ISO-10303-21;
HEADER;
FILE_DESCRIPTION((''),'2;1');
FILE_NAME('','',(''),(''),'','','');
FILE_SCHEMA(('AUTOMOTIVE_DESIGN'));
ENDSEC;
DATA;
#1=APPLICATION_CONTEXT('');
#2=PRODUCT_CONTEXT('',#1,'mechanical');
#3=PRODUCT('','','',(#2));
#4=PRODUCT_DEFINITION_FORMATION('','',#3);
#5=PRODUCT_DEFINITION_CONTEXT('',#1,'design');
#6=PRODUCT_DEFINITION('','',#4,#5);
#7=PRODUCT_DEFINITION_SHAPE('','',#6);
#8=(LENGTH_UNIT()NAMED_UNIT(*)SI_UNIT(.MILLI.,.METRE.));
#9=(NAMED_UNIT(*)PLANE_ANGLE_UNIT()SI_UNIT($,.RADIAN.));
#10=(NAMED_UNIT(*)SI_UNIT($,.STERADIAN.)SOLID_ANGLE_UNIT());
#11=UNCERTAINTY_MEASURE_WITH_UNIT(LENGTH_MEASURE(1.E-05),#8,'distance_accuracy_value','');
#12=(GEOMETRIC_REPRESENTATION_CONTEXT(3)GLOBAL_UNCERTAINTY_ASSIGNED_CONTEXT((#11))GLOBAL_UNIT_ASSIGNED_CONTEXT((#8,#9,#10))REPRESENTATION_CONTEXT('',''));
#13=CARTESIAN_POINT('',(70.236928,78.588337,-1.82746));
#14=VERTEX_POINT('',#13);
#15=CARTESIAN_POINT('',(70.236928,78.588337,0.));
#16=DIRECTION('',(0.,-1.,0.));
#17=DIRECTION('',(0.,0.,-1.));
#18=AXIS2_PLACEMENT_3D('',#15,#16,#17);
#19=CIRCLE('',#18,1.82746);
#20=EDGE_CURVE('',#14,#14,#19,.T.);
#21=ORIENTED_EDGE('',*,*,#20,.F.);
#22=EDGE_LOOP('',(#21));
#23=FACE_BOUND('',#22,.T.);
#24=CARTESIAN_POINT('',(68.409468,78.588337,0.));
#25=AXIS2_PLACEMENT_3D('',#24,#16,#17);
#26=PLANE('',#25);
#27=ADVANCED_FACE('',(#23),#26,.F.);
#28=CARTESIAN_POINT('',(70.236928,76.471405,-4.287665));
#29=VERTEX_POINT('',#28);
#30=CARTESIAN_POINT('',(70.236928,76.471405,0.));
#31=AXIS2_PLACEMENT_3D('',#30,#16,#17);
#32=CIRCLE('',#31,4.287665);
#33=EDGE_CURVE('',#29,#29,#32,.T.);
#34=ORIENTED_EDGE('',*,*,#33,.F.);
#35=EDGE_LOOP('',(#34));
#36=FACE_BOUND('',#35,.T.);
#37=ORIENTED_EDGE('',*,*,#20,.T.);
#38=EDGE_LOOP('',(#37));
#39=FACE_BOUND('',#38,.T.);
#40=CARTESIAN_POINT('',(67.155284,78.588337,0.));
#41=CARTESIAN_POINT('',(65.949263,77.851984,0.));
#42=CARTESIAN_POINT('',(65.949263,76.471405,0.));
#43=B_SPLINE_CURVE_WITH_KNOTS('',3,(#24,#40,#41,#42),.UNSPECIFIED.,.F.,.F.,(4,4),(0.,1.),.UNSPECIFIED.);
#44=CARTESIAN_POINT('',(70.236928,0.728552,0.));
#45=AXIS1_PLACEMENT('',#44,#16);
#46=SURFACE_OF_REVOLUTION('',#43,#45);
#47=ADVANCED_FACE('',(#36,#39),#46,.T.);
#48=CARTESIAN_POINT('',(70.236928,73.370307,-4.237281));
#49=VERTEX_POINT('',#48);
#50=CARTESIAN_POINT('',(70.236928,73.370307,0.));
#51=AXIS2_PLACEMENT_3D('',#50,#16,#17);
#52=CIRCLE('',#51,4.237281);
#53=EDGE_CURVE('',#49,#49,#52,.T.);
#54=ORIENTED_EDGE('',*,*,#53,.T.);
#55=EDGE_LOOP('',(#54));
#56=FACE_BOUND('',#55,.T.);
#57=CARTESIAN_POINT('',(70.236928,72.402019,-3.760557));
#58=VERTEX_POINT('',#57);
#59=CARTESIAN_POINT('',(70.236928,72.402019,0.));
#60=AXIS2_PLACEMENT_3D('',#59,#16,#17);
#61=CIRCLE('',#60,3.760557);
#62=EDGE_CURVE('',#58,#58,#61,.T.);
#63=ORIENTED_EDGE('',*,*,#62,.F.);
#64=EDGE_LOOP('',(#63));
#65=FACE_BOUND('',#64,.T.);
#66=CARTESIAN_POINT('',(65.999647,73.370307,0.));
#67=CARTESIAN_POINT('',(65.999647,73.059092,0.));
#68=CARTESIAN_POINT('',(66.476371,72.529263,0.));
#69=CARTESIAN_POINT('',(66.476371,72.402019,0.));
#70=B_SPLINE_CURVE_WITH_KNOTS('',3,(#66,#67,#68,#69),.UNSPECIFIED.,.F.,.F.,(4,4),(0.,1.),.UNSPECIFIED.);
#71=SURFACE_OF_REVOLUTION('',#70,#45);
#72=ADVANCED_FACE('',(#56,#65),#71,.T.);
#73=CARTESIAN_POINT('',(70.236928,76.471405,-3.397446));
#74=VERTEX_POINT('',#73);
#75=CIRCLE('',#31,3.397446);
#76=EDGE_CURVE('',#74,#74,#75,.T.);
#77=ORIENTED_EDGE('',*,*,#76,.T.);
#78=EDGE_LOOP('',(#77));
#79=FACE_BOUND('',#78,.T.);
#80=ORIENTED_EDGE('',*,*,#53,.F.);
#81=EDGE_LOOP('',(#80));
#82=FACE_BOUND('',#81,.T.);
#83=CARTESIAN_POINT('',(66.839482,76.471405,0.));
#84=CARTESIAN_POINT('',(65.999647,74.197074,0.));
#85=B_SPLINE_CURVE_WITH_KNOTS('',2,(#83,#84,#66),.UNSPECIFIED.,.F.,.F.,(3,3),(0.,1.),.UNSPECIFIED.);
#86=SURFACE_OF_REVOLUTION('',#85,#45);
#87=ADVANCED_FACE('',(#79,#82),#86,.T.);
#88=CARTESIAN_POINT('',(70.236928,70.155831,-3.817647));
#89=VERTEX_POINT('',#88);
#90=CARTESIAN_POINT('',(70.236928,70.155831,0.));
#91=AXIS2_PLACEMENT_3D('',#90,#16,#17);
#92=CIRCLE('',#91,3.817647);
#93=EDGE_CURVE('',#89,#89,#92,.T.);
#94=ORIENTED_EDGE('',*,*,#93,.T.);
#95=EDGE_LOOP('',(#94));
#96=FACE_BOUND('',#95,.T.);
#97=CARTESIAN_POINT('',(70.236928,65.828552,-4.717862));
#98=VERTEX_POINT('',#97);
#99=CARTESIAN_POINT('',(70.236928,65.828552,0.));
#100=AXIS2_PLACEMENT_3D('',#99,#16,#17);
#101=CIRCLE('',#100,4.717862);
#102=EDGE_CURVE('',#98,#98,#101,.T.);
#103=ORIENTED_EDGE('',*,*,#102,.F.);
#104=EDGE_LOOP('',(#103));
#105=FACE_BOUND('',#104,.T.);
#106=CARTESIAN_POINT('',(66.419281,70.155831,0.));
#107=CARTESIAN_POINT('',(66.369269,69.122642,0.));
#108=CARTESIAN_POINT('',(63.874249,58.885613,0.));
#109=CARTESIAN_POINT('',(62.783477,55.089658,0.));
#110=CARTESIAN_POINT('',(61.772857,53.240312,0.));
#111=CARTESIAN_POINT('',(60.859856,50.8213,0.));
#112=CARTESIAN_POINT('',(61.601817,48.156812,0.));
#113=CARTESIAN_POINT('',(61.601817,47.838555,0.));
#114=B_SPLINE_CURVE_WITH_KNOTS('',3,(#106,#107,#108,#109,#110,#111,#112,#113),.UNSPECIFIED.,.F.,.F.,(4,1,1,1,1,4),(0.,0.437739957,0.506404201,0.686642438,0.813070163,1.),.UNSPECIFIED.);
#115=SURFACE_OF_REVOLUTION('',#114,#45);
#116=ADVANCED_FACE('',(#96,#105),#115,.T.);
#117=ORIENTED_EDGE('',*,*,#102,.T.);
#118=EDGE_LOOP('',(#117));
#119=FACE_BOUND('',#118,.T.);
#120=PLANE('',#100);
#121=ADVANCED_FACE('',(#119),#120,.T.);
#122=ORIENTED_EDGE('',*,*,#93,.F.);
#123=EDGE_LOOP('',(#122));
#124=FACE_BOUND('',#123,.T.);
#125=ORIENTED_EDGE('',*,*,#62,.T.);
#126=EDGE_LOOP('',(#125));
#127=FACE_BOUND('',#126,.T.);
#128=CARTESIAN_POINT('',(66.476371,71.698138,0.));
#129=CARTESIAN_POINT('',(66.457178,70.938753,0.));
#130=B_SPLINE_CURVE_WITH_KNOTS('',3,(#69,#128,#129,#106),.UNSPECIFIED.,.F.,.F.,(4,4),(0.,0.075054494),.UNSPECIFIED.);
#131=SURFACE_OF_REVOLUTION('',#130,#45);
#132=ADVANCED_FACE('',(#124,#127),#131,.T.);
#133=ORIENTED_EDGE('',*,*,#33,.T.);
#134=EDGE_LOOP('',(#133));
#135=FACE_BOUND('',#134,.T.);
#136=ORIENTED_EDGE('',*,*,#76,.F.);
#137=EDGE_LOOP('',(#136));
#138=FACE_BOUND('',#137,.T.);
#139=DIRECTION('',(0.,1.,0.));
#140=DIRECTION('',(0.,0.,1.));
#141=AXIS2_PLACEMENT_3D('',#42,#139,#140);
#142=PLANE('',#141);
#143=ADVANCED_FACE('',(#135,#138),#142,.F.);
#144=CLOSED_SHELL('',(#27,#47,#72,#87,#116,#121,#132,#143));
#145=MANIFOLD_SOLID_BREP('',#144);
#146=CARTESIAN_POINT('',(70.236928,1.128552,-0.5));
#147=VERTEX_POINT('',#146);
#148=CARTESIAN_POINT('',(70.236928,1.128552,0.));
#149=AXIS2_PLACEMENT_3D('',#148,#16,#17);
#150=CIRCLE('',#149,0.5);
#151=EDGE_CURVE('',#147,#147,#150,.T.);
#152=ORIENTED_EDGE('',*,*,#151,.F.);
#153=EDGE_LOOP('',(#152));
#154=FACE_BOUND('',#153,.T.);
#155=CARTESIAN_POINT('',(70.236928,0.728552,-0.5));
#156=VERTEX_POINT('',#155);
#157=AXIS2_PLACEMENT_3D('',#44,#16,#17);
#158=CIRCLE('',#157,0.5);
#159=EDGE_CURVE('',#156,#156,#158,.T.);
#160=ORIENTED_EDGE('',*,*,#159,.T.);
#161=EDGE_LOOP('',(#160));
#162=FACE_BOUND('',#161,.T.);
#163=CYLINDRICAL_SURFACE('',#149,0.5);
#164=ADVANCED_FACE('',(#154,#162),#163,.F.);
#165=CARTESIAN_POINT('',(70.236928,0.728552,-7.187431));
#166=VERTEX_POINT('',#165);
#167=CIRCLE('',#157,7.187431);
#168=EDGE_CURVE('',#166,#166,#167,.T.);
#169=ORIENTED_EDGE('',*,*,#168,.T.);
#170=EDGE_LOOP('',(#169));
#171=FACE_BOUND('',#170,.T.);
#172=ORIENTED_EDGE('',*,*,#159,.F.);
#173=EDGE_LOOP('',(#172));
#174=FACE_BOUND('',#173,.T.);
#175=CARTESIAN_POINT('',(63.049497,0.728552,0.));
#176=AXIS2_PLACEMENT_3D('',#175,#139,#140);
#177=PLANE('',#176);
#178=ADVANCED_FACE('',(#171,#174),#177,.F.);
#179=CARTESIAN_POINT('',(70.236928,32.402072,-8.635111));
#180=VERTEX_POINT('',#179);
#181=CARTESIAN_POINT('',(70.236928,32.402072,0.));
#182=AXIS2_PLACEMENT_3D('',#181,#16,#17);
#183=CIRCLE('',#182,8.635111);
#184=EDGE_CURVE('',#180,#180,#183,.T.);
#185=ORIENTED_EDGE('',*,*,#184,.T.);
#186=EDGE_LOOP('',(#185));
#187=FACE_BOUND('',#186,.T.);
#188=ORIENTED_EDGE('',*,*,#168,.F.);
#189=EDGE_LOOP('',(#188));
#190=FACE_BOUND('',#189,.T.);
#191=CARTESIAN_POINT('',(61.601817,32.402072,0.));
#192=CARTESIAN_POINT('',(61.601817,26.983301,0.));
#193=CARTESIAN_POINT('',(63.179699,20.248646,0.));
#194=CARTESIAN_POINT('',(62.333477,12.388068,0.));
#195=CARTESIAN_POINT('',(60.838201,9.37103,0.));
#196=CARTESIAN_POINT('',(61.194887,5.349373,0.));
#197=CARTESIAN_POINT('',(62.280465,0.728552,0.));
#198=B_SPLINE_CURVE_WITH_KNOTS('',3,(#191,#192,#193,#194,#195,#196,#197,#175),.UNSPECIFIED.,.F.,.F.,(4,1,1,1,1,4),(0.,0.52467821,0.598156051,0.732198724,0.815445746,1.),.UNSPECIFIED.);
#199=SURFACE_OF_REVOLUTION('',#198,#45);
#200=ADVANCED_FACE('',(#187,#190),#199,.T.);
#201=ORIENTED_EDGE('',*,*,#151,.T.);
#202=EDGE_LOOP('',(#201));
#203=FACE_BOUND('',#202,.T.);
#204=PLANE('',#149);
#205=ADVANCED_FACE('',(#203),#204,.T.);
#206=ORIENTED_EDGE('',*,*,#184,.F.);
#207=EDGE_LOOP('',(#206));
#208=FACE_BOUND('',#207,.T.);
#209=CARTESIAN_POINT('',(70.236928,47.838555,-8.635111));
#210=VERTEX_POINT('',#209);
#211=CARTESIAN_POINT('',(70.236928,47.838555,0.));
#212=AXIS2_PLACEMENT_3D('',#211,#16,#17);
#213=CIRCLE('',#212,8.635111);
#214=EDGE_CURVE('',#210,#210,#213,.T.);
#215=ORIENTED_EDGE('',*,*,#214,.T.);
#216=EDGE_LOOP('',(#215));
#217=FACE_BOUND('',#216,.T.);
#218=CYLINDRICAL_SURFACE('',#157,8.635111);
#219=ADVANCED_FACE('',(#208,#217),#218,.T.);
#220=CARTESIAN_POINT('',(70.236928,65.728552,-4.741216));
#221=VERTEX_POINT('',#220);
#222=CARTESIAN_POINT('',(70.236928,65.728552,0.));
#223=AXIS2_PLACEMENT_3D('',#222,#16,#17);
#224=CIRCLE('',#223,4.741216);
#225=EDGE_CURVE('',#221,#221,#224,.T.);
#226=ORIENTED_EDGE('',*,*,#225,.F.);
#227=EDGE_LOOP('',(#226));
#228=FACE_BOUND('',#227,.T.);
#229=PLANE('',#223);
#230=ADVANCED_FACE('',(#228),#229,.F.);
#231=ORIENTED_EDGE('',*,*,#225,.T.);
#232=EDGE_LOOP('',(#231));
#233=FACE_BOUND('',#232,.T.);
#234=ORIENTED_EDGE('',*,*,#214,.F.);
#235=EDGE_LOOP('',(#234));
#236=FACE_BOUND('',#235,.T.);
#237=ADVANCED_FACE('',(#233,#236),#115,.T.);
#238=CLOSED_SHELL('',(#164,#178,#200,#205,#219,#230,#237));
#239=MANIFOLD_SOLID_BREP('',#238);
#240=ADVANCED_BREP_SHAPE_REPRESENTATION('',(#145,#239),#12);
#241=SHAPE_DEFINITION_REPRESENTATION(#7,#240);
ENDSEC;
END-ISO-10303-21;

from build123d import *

# Parameters (mm, degrees)
ESBO_O4_R             = 12.021384461
CORTE_EXTRUS_O1_DEPTH = 0.1
ESBO_O5_R             = 0.5
CORTE_EXTRUS_O2_DEPTH = 0.4


with BuildPart() as part:
    # Esboço3 → Revolução1 (revolve)
    with BuildSketch(Plane.XY, mode=Mode.PRIVATE) as revolu_o1_sk:
        with BuildLine():
            Line((61.601817141, 32.402072085), (61.601817141, 47.838555424))
            add(Edge.make_bspline(
                [(61.601817141, 47.838555424), (61.601817141, 48.156811584), (60.859856314, 50.821300378), (61.77285658, 53.240312178), (62.783477222, 55.089658209), (63.874248839, 58.885612566), (66.369269293, 69.122641766), (66.419280732, 70.15583146)],
                knots=[0, 0, 0, 0, 0.186929837, 0.313357562, 0.493595799, 0.562260043, 1, 1, 1, 1], degree=3))
            add(Edge.make_bspline(
                [(66.476371283, 72.402019137), (66.476371283, 71.698138184), (66.457177975, 70.938753163), (66.419280732, 70.15583146)],
                knots=[0, 0, 0, 0, 0.075054494, 0.075054494, 0.075054494, 0.075054494], degree=3))
            add(Edge.make_bspline(
                [(65.999647343, 73.37030672), (65.999647343, 73.059092303), (66.476371283, 72.529263326), (66.476371283, 72.402019137)],
                knots=[0, 0, 0, 0, 1, 1, 1, 1], degree=3))
            add(Edge.make_bspline(
                [(65.999647343, 73.37030672), (65.999647343, 74.197074379), (66.839482035, 76.471404644)],
                knots=[0, 0, 0, 1, 1, 1], degree=2))
            Line((66.839482035, 76.471404644), (65.949262934, 76.471404644))
            add(Edge.make_bspline(
                [(68.409468023, 78.588337077), (67.155283918, 78.588337077), (65.949262934, 77.851984406), (65.949262934, 76.471404644)],
                knots=[0, 0, 0, 0, 1, 1, 1, 1], degree=3))
            Line((68.409468023, 78.588337077), (70.2369282, 78.588337077))
            Line((70.2369282, 78.588337077), (70.2369282, 0.72855248))
            Line((70.2369282, 0.72855248), (63.049496982, 0.72855248))
            add(Edge.make_bspline(
                [(63.049496982, 0.72855248), (62.280465322, 0.72855248), (61.19488738, 5.349373028), (60.838200592, 9.371029922), (62.333477371, 12.388067865), (63.179698711, 20.248645789), (61.601817141, 26.983300513), (61.601817141, 32.402072085)],
                knots=[0, 0, 0, 0, 0.184554254, 0.267801276, 0.401843949, 0.47532179, 1, 1, 1, 1], degree=3))
        make_face()
    revolve(revolu_o1_sk.sketch.rotate(Axis((70.2369282, 0.72855248, 0), (0, 1, 0)), 270), axis=Axis((70.2369282, 0.72855248, 0), (0, 1, 0)))

    # Esboço4 → Corte-extrusão1 (cut)
    with BuildSketch(Plane(origin=(0, 65.72855248, 0), x_dir=(-1, 0, 0), z_dir=(0, -1, 0))):
        with Locations((-70.2369282, 0)):
            Circle(ESBO_O4_R)
    extrude(amount=-CORTE_EXTRUS_O1_DEPTH, mode=Mode.SUBTRACT)


with BuildPart() as corte_extrus_o1_piece_1:
    # of the separate pieces the step leaves, piece 1, a body of its own (corte_extrus_o1_pieces)
    add(part.part.solids().sort_by_distance((70.2369282, 32.402072085, -8.63511106))[0])

    # Esboço5 → Corte-extrusão2 (cut)
    with BuildSketch(Plane.XZ.offset(-0.72855248)):
        with Locations(Location((70.2369282, 0, 0), (0, 0, 270))):
            Circle(ESBO_O5_R)
    extrude(amount=-CORTE_EXTRUS_O2_DEPTH, mode=Mode.SUBTRACT)


with BuildPart() as corte_extrus_o1_piece_2:
    # of the separate pieces the step leaves, piece 2, a body of its own (corte_extrus_o1_pieces)
    add(part.part.solids().sort_by_distance((70.2369282, 65.82855248, -4.717862276))[0])


solid = Compound([corte_extrus_o1_piece_1.part, corte_extrus_o1_piece_2.part])
